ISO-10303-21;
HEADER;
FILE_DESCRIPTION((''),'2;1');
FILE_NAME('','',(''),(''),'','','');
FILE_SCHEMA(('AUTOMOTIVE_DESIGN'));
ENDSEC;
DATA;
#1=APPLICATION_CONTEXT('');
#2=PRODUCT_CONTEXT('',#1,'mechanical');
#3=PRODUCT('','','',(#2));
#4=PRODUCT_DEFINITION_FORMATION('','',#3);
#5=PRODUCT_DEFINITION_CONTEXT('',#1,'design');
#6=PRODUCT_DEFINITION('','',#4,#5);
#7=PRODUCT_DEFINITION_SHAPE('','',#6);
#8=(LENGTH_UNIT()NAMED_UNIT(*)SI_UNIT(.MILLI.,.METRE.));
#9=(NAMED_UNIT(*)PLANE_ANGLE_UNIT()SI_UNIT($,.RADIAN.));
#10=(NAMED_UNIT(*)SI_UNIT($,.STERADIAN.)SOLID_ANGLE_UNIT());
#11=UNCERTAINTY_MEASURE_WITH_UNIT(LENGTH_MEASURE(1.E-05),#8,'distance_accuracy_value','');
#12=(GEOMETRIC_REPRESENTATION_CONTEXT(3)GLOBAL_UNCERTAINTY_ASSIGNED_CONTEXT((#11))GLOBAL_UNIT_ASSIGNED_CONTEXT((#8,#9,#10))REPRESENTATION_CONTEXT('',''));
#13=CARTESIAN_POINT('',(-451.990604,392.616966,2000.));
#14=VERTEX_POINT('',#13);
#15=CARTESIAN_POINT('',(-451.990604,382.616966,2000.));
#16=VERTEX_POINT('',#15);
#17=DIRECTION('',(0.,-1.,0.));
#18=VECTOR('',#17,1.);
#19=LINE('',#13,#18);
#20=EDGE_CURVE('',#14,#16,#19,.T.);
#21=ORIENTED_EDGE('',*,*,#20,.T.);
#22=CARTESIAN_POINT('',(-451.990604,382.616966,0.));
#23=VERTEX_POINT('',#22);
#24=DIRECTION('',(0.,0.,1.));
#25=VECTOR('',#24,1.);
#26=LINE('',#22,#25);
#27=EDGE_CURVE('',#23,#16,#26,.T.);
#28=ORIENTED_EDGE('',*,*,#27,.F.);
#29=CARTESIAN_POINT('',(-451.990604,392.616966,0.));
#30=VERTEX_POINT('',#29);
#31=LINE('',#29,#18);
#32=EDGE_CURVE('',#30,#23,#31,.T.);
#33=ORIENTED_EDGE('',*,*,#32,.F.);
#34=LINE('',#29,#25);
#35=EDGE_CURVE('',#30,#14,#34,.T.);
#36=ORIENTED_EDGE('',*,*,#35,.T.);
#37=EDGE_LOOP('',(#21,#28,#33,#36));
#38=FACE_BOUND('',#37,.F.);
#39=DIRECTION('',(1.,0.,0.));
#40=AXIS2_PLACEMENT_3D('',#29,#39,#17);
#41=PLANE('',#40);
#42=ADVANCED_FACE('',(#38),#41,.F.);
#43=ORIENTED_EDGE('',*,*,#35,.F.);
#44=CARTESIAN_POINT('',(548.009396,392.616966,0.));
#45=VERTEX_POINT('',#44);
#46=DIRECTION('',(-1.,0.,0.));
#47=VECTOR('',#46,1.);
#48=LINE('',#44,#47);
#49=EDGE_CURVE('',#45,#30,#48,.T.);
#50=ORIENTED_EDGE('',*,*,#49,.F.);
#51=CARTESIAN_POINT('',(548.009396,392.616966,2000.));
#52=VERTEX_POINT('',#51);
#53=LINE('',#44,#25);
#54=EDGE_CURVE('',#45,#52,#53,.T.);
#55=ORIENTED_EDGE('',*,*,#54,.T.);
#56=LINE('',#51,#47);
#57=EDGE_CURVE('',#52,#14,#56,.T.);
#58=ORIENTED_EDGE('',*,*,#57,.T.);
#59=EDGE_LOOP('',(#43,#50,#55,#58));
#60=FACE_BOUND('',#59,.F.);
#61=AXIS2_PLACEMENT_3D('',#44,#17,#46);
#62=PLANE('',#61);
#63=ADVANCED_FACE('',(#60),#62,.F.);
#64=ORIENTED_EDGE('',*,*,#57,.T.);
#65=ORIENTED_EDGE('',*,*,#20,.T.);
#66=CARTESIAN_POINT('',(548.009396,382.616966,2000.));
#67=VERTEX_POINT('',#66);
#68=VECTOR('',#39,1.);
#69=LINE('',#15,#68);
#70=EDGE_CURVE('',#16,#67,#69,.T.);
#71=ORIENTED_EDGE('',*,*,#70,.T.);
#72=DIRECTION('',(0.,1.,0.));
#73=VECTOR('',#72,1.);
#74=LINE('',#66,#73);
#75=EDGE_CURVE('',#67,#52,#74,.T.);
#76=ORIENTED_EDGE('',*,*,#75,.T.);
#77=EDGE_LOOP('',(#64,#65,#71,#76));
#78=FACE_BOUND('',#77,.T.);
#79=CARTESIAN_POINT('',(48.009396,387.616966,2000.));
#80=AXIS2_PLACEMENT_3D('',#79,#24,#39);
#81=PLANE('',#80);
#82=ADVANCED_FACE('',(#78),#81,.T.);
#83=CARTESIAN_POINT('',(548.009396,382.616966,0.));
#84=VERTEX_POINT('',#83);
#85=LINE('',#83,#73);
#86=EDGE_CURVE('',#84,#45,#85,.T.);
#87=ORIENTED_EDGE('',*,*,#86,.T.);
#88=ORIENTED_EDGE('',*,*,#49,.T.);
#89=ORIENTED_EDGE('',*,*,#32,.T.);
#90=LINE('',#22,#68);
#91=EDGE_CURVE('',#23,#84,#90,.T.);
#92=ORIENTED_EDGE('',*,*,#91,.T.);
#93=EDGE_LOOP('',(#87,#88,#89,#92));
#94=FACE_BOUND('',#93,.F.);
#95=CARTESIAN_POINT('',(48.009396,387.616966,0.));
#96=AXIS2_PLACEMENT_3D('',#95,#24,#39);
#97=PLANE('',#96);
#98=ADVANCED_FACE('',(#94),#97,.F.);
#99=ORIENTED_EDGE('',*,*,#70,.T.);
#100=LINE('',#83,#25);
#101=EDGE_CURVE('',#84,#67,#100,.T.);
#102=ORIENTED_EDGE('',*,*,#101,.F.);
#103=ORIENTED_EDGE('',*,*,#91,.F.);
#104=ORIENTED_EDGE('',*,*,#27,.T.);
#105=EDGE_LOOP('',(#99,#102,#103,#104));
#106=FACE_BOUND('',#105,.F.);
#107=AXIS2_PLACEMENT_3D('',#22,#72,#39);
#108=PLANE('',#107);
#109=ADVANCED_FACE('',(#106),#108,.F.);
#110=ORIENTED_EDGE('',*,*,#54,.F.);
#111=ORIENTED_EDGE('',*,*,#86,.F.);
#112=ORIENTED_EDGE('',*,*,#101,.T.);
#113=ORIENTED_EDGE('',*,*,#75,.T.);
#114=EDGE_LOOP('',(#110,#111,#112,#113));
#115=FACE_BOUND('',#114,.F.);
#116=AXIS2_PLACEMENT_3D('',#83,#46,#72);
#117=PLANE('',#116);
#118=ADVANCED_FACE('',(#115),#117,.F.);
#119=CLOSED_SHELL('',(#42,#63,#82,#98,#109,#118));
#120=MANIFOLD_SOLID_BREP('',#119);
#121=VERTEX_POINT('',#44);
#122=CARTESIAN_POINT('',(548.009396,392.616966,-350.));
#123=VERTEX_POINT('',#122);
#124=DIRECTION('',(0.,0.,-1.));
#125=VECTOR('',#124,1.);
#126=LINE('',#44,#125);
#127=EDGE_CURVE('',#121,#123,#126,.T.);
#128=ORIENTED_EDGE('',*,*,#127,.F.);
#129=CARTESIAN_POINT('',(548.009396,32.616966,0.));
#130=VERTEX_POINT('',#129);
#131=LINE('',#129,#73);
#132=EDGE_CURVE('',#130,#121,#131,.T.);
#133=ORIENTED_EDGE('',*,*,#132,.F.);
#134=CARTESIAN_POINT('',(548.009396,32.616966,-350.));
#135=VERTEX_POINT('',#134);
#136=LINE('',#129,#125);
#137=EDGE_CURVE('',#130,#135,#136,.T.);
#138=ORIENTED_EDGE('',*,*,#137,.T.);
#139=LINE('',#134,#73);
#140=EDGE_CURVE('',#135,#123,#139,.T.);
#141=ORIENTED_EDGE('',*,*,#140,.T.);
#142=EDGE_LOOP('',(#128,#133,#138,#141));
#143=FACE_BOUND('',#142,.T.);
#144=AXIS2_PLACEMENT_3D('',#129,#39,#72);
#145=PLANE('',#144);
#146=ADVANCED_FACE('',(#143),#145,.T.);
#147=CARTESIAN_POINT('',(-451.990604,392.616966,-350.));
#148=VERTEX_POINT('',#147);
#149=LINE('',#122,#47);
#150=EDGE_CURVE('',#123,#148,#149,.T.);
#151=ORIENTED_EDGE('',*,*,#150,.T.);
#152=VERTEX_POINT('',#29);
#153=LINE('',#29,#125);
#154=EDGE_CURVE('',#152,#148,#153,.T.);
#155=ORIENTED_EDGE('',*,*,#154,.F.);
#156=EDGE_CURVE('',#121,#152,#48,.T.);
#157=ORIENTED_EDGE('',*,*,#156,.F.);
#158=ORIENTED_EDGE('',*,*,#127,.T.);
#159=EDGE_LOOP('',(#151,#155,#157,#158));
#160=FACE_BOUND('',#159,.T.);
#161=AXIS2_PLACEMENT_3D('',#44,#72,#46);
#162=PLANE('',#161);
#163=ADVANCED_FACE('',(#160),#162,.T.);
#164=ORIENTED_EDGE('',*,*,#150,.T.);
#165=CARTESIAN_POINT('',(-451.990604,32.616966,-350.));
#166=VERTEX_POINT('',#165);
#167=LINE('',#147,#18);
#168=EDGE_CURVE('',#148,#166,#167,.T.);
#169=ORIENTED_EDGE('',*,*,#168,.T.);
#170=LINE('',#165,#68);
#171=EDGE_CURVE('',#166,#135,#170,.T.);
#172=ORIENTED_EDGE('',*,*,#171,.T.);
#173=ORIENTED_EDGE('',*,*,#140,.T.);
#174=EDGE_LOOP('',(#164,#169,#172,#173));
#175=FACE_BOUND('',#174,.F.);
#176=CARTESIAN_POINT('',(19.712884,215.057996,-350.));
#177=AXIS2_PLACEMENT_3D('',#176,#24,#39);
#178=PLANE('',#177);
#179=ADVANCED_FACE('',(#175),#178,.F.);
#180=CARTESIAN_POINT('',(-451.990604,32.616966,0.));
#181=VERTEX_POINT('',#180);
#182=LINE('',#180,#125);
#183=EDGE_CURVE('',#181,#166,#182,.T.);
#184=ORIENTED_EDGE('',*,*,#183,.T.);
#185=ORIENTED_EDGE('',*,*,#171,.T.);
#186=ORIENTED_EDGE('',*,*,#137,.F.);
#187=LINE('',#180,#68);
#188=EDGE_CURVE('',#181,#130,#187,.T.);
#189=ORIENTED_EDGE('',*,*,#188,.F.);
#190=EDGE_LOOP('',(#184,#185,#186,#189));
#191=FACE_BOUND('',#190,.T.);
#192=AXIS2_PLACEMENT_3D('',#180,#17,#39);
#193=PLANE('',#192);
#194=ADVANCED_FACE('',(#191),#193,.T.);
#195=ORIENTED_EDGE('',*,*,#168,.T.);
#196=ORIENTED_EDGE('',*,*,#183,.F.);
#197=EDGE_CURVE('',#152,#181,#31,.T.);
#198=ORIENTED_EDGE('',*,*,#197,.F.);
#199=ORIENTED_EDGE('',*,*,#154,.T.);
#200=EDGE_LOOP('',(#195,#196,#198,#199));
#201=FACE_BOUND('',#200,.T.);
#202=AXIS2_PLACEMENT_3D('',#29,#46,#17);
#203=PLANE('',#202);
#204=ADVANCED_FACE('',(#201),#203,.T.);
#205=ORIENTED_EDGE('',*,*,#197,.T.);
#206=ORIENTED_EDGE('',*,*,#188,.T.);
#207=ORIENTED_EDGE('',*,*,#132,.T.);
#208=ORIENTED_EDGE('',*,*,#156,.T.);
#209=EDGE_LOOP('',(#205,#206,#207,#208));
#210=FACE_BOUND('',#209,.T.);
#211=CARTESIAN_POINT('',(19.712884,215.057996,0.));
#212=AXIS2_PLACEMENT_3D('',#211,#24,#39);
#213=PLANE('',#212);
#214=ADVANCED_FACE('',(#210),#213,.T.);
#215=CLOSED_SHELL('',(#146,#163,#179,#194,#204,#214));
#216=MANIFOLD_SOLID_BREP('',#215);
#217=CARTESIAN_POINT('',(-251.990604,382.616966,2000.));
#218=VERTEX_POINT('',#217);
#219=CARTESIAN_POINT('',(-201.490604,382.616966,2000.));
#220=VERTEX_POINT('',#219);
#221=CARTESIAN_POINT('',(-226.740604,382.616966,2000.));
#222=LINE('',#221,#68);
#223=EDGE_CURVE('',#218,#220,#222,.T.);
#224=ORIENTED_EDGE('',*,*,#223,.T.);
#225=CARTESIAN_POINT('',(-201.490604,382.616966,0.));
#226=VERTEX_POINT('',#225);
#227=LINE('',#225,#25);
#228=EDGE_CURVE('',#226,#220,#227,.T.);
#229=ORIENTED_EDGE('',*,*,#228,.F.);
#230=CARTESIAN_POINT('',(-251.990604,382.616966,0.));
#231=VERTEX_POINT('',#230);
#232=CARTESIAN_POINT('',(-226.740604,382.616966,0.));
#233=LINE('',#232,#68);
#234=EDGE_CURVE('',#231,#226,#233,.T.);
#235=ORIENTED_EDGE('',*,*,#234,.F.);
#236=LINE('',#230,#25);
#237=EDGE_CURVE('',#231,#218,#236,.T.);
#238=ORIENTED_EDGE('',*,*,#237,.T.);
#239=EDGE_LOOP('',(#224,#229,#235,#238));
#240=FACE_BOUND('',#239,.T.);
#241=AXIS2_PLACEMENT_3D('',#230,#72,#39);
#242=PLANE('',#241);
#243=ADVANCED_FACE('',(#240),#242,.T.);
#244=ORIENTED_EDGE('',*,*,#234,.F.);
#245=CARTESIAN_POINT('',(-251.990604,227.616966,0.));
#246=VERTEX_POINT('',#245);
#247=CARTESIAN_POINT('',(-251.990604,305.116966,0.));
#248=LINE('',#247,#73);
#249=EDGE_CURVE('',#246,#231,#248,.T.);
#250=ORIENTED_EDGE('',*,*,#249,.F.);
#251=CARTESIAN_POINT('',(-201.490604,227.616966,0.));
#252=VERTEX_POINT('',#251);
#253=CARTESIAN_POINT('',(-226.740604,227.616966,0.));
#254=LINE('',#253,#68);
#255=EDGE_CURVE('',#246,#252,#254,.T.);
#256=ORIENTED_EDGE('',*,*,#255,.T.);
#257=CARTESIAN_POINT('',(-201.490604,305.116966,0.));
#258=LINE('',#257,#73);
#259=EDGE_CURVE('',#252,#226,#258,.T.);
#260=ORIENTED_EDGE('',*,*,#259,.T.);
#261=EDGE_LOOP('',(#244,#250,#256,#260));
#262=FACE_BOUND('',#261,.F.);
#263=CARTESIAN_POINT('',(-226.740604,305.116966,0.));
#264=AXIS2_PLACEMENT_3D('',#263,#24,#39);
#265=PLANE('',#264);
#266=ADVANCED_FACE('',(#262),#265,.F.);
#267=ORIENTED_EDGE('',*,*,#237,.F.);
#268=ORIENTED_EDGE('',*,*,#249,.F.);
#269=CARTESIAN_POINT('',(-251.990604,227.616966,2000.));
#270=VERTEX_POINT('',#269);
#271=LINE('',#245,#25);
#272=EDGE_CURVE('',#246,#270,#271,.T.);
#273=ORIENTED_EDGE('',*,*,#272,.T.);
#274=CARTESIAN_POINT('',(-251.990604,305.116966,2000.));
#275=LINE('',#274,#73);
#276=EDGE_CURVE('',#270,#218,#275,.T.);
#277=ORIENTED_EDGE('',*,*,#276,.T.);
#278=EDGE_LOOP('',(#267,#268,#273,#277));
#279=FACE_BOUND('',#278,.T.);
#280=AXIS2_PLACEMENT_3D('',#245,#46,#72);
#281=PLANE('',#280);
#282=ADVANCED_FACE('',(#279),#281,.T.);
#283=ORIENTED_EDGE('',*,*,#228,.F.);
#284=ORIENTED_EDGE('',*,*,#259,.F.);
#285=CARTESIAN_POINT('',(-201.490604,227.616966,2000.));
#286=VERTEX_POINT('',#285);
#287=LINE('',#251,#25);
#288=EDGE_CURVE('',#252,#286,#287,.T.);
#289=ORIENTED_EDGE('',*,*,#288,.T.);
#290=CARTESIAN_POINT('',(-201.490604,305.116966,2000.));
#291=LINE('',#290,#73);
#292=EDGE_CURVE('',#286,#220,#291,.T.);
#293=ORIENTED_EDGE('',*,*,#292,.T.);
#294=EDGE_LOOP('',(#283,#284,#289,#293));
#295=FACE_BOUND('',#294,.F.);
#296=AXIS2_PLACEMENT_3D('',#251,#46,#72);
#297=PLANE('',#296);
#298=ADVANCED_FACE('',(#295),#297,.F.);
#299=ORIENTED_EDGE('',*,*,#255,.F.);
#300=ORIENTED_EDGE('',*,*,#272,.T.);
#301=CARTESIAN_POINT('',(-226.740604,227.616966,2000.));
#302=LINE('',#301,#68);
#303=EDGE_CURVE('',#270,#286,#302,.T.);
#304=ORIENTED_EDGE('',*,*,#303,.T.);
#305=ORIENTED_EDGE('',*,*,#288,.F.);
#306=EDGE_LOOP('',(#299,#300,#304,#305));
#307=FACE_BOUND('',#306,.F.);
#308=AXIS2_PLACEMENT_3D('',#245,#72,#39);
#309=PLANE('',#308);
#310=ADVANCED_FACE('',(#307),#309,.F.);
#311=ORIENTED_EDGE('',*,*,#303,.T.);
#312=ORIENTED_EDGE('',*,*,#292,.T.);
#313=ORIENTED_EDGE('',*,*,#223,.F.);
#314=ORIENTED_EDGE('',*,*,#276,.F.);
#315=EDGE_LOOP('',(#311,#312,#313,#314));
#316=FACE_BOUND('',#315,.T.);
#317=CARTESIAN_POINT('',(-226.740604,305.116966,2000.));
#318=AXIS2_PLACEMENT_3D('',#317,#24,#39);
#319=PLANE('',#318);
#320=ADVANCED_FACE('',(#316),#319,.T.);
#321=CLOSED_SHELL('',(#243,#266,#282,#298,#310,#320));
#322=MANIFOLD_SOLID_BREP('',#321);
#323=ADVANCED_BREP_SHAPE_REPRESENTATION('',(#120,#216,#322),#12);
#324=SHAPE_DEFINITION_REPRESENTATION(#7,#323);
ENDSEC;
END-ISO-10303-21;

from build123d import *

# Parameters (mm, degrees)
F2_DEPTH = 2000
F1_W     = 50.5
F1_H     = 155
F3_DEPTH = 2000
F4_DEPTH = 350


with BuildPart() as f2:
    # F1 (on Top) → F2 (new body)
    with BuildSketch(Plane.XY):
        Polygon((548.0093955994, 392.6169663171), (-451.9906044006, 392.6169663171), (-451.9906044006, 382.6169663171), (-251.9906044006, 382.6169663171), (-201.4906044006, 382.6169663171), (548.0093955994, 382.6169663171), align=None)
    extrude(amount=F2_DEPTH)


with BuildPart() as f3:
    # F1 (on Top) → F3 (new body)
    with BuildSketch(Plane.XY):
        with Locations((-226.7406044006, 305.1169663171)):
            Rectangle(F1_W, F1_H)
    extrude(amount=F3_DEPTH)


with BuildPart() as f4:
    # F1 (on Top) → F4 (new body)
    with BuildSketch(Plane.XY):
        Polygon((-251.9906044006, 382.6169663171), (-451.9906044006, 382.6169663171), (-451.9906044006, 32.6169663171), (548.0093955994, 32.6169663171), (548.0093955994, 382.6169663171), (-201.4906044006, 382.6169663171), (-201.4906044006, 227.6169663171), (-251.9906044006, 227.6169663171), align=None)
        with Locations((-226.7406044006, 305.1169663171)):
            Rectangle(F1_W, F1_H)
        Polygon((548.0093955994, 392.6169663171), (-451.9906044006, 392.6169663171), (-451.9906044006, 382.6169663171), (-251.9906044006, 382.6169663171), (-201.4906044006, 382.6169663171), (548.0093955994, 382.6169663171), align=None)
    extrude(amount=-F4_DEPTH)


solid = Compound([f2.part, f3.part, f4.part])
